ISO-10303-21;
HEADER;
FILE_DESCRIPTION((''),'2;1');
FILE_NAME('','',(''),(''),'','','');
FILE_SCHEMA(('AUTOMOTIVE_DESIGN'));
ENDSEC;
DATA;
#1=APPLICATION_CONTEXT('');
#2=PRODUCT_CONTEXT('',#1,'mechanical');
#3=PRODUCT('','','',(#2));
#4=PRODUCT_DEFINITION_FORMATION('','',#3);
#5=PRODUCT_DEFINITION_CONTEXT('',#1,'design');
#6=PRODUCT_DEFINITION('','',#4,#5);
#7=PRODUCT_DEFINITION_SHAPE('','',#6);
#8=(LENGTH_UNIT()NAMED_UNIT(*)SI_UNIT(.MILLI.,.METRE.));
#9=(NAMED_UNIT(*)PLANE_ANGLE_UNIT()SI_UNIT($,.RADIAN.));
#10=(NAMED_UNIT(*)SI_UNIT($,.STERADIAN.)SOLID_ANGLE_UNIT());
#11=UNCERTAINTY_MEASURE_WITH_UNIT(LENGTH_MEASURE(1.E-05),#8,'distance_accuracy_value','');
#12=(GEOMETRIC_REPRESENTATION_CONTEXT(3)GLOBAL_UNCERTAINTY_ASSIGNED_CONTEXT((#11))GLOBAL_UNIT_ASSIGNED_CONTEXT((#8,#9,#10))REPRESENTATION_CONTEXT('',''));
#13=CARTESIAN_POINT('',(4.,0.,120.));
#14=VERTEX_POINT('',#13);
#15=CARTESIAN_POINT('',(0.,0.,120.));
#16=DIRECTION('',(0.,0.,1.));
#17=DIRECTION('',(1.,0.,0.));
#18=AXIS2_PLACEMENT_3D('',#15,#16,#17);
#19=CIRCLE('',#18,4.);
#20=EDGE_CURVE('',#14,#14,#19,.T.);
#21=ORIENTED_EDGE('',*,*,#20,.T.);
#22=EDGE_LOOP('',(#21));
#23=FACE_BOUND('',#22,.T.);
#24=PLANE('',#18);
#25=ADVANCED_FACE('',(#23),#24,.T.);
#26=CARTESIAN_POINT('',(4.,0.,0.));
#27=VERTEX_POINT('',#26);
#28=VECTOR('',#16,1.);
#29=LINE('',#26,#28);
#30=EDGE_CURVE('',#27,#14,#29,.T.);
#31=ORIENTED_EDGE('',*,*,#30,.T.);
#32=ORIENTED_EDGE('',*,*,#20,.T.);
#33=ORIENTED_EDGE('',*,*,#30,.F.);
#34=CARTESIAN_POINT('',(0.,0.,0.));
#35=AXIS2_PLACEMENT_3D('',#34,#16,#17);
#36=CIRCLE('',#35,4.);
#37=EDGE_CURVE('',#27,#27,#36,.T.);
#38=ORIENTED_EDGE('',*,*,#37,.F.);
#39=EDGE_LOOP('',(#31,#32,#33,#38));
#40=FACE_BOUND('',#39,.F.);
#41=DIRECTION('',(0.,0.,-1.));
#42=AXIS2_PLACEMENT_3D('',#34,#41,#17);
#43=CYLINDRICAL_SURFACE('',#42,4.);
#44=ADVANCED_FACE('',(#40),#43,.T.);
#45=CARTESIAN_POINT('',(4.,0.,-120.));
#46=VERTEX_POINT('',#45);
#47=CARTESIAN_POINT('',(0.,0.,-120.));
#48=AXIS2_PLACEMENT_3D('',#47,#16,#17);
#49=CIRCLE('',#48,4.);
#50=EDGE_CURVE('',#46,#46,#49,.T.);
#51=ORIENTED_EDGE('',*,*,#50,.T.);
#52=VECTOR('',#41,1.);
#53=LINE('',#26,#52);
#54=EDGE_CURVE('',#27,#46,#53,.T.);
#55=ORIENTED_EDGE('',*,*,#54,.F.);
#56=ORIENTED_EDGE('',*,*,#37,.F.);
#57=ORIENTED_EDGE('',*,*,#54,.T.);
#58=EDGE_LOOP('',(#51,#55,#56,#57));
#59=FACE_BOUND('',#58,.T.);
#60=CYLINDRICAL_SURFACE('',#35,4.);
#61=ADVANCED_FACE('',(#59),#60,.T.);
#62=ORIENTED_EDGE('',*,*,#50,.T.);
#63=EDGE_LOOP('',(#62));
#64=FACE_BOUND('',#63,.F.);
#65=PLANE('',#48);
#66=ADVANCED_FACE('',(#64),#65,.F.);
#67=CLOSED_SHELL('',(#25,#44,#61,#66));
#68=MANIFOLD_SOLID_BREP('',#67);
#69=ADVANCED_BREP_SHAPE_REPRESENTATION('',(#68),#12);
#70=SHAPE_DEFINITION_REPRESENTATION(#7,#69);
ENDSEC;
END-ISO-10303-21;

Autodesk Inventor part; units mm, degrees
ref_plane "YZ Plane" through (0, 0, 0) normal (1, 0, 0) x (0, 1, 0)
ref_plane "XZ Plane" through (0, 0, 0) normal (0, 1, 0) x (-1, 0, 0)
ref_plane "XY Plane" through (0, 0, 0) normal (0, 0, 1) x (1, 0, 0)
sketch "Sketch1" plane through (0, 0, 0) normal (0, 0, 1) x (1, 0, 0)
  circle A0 centre (0, 0) radius 4
  dimension "d0" = 8
extrude "Extrusion1" add sketch "Sketch1" along normal mid plane 240
properties part number "SteelRod_8mm"
